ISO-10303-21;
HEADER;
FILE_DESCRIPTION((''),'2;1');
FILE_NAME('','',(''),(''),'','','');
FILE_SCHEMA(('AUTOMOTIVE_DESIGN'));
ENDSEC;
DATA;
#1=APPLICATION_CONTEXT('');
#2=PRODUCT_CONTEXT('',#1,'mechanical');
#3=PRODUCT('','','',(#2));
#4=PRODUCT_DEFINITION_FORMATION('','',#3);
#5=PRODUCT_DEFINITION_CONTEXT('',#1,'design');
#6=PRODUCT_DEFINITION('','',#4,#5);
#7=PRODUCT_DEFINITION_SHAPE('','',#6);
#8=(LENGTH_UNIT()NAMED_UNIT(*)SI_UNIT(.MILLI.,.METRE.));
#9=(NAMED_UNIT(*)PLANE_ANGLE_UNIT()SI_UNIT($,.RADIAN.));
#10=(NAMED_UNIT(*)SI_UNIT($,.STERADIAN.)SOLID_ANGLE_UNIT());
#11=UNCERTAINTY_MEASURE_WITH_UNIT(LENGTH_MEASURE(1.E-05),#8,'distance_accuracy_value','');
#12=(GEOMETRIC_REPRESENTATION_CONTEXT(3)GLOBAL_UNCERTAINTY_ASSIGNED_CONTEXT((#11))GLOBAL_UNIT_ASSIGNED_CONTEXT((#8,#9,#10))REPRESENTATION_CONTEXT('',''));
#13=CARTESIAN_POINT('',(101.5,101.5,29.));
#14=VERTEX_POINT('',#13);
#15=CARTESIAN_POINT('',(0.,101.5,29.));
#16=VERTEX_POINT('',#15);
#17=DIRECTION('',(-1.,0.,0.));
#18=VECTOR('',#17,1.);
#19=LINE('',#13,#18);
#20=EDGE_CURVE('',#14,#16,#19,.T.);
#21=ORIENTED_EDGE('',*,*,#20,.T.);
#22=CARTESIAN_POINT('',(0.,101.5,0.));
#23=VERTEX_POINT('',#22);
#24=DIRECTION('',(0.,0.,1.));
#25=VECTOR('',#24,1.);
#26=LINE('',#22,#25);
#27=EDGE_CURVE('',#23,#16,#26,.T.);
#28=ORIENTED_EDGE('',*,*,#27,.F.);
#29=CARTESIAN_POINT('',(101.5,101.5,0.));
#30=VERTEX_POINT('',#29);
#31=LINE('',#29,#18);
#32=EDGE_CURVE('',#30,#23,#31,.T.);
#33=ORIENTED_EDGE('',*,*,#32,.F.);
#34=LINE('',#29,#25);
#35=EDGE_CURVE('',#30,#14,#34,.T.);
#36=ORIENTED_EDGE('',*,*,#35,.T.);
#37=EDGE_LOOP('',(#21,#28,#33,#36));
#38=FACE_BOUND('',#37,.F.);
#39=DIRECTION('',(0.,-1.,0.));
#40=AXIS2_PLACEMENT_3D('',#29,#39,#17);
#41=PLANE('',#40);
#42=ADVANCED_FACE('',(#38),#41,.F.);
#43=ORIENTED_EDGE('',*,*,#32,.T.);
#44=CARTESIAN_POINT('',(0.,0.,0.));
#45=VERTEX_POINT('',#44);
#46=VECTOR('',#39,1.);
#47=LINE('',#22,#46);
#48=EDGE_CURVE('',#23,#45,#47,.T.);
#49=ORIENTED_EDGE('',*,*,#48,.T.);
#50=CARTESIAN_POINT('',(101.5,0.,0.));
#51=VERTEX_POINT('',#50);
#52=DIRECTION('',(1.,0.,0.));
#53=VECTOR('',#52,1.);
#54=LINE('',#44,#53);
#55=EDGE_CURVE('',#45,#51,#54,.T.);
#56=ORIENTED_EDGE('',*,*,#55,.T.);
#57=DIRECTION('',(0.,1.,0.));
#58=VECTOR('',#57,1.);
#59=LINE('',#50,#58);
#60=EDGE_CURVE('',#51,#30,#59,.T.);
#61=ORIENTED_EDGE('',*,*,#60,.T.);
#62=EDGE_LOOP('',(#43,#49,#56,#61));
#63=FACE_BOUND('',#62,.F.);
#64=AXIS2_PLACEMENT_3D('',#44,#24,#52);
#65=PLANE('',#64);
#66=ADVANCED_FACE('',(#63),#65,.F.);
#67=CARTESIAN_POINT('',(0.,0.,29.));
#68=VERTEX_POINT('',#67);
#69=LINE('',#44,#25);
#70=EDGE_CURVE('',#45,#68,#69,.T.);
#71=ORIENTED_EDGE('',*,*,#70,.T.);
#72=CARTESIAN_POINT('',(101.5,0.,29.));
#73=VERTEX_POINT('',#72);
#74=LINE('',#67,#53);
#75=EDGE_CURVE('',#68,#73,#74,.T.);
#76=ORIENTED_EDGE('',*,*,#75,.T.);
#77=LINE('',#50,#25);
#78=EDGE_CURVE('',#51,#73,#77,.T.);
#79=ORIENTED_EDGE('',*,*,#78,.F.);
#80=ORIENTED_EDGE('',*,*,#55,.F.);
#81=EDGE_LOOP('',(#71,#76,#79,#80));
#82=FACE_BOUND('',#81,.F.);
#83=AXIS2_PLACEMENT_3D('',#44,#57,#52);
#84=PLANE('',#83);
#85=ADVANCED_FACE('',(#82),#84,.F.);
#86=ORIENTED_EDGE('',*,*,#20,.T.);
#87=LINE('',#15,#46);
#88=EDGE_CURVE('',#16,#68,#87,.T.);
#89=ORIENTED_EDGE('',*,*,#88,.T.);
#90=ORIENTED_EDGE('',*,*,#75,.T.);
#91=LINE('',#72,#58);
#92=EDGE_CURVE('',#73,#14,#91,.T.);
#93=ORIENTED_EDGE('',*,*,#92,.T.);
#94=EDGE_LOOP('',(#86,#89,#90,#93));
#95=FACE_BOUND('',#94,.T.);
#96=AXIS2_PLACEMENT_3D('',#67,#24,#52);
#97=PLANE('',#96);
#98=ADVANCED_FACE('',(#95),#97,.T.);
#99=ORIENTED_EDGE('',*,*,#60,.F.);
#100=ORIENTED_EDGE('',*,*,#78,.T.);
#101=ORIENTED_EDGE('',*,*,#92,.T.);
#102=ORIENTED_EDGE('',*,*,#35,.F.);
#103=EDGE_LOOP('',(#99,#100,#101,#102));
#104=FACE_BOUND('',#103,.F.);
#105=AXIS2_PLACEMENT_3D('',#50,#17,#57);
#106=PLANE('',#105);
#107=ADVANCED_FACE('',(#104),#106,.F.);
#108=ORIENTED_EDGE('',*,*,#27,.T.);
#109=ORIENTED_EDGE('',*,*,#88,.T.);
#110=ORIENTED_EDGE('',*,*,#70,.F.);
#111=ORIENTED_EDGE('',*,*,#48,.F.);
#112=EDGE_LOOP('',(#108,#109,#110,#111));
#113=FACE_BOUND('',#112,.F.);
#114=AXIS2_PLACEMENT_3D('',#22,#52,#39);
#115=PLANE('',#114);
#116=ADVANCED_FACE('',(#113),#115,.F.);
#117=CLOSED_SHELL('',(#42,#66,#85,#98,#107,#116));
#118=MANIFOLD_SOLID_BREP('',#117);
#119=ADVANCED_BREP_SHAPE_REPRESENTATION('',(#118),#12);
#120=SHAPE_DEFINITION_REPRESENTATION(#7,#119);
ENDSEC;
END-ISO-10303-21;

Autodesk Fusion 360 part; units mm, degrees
sketch "Sketch1" plane through (0, 0, 0) normal (0, 0, 1) x (1, 0, 0)
  line L0 (0, 0) -> (101.5, 0)
  line L1 (101.5, 0) -> (101.5, 101.5)
  line L2 (101.5, 101.5) -> (0, 101.5)
  line L3 (0, 101.5) -> (0, 0)
  dimension "d1" = 101.5
  dimension "d2" = 101.5
extrude "Extrude1" add sketch "Sketch1" along normal blind 29
equation "d2 = d1"
